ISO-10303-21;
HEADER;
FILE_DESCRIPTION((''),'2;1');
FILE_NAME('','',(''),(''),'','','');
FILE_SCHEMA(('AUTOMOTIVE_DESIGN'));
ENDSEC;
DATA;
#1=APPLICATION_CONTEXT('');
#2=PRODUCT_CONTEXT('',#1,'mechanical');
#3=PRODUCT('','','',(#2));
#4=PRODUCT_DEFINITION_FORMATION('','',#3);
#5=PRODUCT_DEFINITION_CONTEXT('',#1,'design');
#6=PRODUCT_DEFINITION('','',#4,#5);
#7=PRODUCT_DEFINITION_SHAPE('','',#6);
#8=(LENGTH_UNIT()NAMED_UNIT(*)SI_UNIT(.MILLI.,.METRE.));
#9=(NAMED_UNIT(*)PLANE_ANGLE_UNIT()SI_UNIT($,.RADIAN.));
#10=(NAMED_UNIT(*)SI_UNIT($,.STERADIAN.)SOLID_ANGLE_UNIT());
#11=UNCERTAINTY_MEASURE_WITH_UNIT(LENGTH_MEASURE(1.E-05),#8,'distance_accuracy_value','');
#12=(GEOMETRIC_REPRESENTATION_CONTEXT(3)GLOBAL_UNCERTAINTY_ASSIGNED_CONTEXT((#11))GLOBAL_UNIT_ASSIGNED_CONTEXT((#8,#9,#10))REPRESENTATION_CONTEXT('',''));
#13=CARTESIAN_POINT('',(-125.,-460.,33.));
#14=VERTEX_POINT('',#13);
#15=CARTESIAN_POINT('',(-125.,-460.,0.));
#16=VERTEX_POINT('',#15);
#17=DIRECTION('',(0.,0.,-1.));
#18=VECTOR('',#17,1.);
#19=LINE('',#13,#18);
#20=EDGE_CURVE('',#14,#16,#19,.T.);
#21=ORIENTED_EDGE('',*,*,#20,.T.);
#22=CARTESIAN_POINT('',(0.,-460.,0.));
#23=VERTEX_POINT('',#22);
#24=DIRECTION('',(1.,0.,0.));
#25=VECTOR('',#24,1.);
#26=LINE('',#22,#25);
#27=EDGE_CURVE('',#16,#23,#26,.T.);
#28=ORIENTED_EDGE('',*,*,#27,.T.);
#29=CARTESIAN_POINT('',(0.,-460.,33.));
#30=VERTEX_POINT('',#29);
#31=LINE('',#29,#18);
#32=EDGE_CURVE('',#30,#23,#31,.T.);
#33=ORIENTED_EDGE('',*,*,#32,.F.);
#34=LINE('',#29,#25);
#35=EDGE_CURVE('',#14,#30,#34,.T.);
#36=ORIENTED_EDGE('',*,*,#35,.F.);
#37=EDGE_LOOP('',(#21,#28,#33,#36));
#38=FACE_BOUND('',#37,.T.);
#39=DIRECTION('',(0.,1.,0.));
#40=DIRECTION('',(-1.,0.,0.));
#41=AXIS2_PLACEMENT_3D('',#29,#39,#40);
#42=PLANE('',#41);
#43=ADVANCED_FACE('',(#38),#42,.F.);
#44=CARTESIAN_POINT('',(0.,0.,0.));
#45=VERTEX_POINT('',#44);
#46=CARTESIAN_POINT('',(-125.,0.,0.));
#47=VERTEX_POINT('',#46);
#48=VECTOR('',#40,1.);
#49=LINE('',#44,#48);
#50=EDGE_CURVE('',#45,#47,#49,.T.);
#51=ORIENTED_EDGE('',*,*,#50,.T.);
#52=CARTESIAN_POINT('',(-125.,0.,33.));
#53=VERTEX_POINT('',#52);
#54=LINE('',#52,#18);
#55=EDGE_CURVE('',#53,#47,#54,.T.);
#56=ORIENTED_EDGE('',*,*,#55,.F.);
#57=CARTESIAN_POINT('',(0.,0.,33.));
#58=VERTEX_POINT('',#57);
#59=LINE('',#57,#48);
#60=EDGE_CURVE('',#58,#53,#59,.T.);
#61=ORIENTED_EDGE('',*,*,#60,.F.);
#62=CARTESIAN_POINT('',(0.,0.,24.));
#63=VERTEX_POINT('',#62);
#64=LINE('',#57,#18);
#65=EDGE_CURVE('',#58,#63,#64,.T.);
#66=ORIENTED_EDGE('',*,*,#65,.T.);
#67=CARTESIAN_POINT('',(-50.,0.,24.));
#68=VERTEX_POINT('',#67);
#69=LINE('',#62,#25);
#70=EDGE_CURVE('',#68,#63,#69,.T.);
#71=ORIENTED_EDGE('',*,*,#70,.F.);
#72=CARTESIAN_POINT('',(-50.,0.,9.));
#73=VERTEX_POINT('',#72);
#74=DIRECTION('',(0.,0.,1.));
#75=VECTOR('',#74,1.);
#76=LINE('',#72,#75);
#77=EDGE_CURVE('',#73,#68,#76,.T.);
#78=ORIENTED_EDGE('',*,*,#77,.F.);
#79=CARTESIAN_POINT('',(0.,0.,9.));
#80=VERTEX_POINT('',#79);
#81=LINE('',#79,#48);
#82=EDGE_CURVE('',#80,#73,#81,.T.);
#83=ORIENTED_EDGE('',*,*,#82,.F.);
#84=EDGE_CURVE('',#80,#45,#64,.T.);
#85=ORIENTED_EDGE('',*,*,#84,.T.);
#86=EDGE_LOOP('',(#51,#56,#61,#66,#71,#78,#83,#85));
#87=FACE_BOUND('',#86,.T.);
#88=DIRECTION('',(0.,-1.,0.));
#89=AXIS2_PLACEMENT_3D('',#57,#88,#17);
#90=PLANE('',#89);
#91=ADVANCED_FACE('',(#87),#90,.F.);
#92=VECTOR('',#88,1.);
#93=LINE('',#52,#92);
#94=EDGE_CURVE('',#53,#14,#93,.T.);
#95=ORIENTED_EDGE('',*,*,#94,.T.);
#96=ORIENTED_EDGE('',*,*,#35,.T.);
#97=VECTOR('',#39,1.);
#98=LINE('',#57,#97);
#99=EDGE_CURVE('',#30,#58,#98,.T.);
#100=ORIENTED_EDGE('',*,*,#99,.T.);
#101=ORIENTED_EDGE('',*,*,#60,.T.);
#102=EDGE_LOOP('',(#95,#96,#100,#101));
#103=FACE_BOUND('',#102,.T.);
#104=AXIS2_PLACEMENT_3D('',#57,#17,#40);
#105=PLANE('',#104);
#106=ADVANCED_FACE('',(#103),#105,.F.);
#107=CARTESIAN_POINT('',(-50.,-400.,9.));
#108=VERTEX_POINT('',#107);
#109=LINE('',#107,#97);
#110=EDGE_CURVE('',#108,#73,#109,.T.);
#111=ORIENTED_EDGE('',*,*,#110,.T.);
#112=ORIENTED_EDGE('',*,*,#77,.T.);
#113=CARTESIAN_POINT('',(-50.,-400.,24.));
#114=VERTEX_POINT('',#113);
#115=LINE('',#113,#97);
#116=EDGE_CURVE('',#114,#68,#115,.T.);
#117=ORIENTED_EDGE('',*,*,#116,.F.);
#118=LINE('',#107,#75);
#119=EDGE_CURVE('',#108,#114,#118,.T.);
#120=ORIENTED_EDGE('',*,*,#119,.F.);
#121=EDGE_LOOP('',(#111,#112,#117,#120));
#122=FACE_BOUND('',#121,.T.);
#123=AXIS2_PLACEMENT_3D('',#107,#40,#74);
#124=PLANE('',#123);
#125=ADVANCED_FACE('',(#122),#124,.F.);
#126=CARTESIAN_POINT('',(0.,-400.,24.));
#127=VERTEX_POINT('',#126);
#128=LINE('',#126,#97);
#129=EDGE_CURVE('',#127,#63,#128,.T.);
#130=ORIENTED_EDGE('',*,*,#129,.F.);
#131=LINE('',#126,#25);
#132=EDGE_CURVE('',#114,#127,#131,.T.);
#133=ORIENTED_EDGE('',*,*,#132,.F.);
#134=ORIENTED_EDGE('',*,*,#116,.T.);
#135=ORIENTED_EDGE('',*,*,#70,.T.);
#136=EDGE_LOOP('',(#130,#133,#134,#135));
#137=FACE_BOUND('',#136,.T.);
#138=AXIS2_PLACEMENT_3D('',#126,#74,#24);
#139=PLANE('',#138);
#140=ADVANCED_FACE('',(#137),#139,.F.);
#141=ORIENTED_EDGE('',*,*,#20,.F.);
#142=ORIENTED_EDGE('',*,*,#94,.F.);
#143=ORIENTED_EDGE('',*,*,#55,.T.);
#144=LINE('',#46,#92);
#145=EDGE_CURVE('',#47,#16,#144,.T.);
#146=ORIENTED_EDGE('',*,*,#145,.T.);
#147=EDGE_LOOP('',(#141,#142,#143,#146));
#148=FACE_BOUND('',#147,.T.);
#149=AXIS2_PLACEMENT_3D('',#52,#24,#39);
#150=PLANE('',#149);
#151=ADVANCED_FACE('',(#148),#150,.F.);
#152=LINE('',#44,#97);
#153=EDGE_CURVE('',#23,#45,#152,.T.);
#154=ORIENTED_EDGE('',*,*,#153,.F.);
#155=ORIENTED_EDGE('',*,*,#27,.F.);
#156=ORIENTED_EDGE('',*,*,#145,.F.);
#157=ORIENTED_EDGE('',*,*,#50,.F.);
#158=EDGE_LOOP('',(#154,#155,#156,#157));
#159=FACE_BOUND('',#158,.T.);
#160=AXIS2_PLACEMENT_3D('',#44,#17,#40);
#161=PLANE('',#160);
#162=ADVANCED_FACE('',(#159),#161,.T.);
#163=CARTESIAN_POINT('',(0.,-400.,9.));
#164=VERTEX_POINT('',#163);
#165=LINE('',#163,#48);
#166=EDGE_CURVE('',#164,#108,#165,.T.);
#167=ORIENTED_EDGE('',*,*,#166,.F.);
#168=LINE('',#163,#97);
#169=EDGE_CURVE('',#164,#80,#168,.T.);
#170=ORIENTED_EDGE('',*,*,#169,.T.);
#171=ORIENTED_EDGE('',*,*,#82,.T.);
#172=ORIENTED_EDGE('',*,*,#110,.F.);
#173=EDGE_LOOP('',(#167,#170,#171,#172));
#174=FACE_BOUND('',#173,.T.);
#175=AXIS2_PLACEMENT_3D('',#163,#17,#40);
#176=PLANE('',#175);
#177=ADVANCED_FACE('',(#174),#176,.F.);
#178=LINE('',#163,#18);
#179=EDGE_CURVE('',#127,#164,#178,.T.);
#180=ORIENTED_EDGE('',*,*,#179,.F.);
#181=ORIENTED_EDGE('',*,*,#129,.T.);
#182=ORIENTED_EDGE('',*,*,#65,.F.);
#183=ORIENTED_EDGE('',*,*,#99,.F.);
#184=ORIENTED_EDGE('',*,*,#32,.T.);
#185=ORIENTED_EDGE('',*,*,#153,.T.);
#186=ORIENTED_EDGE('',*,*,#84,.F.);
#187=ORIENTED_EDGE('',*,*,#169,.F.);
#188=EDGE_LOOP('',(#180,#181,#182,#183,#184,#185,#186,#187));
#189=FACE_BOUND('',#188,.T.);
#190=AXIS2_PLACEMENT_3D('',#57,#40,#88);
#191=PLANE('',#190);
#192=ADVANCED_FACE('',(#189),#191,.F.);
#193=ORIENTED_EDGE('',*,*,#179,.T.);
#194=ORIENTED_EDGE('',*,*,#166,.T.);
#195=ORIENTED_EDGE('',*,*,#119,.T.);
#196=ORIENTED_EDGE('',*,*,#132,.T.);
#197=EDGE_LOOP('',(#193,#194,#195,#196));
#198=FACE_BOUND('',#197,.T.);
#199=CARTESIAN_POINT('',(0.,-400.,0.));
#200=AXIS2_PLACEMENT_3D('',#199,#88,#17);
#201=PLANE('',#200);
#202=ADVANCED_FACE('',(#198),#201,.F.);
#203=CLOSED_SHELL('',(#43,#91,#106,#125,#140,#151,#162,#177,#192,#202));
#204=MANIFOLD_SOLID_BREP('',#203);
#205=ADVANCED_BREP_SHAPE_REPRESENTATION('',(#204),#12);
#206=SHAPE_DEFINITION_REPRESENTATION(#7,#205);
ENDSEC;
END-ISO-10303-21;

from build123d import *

# Parameters (mm, degrees)
SKETCH1_W           = 125
SKETCH1_H           = 460
BOSS_EXTRUDE1_DEPTH = 33
SKETCH2_W           = 50
SKETCH2_H           = 15
CUT_EXTRUDE1_DEPTH  = 400


with BuildPart() as part:
    # Sketch1 → Boss-Extrude1 (new body)
    with BuildSketch(Plane.XY):
        with Locations((-62.5, -230)):
            Rectangle(SKETCH1_W, SKETCH1_H)
    extrude(amount=BOSS_EXTRUDE1_DEPTH)

    # Sketch2 → Cut-Extrude1 (cut)
    with BuildSketch(Plane(origin=(0, 0, 0), x_dir=(1, 0, 0), z_dir=(0, 1, 0))):
        with Locations((-25, -16.5)):
            Rectangle(SKETCH2_W, SKETCH2_H)
    extrude(amount=-CUT_EXTRUDE1_DEPTH, mode=Mode.SUBTRACT)


solid = part.part
